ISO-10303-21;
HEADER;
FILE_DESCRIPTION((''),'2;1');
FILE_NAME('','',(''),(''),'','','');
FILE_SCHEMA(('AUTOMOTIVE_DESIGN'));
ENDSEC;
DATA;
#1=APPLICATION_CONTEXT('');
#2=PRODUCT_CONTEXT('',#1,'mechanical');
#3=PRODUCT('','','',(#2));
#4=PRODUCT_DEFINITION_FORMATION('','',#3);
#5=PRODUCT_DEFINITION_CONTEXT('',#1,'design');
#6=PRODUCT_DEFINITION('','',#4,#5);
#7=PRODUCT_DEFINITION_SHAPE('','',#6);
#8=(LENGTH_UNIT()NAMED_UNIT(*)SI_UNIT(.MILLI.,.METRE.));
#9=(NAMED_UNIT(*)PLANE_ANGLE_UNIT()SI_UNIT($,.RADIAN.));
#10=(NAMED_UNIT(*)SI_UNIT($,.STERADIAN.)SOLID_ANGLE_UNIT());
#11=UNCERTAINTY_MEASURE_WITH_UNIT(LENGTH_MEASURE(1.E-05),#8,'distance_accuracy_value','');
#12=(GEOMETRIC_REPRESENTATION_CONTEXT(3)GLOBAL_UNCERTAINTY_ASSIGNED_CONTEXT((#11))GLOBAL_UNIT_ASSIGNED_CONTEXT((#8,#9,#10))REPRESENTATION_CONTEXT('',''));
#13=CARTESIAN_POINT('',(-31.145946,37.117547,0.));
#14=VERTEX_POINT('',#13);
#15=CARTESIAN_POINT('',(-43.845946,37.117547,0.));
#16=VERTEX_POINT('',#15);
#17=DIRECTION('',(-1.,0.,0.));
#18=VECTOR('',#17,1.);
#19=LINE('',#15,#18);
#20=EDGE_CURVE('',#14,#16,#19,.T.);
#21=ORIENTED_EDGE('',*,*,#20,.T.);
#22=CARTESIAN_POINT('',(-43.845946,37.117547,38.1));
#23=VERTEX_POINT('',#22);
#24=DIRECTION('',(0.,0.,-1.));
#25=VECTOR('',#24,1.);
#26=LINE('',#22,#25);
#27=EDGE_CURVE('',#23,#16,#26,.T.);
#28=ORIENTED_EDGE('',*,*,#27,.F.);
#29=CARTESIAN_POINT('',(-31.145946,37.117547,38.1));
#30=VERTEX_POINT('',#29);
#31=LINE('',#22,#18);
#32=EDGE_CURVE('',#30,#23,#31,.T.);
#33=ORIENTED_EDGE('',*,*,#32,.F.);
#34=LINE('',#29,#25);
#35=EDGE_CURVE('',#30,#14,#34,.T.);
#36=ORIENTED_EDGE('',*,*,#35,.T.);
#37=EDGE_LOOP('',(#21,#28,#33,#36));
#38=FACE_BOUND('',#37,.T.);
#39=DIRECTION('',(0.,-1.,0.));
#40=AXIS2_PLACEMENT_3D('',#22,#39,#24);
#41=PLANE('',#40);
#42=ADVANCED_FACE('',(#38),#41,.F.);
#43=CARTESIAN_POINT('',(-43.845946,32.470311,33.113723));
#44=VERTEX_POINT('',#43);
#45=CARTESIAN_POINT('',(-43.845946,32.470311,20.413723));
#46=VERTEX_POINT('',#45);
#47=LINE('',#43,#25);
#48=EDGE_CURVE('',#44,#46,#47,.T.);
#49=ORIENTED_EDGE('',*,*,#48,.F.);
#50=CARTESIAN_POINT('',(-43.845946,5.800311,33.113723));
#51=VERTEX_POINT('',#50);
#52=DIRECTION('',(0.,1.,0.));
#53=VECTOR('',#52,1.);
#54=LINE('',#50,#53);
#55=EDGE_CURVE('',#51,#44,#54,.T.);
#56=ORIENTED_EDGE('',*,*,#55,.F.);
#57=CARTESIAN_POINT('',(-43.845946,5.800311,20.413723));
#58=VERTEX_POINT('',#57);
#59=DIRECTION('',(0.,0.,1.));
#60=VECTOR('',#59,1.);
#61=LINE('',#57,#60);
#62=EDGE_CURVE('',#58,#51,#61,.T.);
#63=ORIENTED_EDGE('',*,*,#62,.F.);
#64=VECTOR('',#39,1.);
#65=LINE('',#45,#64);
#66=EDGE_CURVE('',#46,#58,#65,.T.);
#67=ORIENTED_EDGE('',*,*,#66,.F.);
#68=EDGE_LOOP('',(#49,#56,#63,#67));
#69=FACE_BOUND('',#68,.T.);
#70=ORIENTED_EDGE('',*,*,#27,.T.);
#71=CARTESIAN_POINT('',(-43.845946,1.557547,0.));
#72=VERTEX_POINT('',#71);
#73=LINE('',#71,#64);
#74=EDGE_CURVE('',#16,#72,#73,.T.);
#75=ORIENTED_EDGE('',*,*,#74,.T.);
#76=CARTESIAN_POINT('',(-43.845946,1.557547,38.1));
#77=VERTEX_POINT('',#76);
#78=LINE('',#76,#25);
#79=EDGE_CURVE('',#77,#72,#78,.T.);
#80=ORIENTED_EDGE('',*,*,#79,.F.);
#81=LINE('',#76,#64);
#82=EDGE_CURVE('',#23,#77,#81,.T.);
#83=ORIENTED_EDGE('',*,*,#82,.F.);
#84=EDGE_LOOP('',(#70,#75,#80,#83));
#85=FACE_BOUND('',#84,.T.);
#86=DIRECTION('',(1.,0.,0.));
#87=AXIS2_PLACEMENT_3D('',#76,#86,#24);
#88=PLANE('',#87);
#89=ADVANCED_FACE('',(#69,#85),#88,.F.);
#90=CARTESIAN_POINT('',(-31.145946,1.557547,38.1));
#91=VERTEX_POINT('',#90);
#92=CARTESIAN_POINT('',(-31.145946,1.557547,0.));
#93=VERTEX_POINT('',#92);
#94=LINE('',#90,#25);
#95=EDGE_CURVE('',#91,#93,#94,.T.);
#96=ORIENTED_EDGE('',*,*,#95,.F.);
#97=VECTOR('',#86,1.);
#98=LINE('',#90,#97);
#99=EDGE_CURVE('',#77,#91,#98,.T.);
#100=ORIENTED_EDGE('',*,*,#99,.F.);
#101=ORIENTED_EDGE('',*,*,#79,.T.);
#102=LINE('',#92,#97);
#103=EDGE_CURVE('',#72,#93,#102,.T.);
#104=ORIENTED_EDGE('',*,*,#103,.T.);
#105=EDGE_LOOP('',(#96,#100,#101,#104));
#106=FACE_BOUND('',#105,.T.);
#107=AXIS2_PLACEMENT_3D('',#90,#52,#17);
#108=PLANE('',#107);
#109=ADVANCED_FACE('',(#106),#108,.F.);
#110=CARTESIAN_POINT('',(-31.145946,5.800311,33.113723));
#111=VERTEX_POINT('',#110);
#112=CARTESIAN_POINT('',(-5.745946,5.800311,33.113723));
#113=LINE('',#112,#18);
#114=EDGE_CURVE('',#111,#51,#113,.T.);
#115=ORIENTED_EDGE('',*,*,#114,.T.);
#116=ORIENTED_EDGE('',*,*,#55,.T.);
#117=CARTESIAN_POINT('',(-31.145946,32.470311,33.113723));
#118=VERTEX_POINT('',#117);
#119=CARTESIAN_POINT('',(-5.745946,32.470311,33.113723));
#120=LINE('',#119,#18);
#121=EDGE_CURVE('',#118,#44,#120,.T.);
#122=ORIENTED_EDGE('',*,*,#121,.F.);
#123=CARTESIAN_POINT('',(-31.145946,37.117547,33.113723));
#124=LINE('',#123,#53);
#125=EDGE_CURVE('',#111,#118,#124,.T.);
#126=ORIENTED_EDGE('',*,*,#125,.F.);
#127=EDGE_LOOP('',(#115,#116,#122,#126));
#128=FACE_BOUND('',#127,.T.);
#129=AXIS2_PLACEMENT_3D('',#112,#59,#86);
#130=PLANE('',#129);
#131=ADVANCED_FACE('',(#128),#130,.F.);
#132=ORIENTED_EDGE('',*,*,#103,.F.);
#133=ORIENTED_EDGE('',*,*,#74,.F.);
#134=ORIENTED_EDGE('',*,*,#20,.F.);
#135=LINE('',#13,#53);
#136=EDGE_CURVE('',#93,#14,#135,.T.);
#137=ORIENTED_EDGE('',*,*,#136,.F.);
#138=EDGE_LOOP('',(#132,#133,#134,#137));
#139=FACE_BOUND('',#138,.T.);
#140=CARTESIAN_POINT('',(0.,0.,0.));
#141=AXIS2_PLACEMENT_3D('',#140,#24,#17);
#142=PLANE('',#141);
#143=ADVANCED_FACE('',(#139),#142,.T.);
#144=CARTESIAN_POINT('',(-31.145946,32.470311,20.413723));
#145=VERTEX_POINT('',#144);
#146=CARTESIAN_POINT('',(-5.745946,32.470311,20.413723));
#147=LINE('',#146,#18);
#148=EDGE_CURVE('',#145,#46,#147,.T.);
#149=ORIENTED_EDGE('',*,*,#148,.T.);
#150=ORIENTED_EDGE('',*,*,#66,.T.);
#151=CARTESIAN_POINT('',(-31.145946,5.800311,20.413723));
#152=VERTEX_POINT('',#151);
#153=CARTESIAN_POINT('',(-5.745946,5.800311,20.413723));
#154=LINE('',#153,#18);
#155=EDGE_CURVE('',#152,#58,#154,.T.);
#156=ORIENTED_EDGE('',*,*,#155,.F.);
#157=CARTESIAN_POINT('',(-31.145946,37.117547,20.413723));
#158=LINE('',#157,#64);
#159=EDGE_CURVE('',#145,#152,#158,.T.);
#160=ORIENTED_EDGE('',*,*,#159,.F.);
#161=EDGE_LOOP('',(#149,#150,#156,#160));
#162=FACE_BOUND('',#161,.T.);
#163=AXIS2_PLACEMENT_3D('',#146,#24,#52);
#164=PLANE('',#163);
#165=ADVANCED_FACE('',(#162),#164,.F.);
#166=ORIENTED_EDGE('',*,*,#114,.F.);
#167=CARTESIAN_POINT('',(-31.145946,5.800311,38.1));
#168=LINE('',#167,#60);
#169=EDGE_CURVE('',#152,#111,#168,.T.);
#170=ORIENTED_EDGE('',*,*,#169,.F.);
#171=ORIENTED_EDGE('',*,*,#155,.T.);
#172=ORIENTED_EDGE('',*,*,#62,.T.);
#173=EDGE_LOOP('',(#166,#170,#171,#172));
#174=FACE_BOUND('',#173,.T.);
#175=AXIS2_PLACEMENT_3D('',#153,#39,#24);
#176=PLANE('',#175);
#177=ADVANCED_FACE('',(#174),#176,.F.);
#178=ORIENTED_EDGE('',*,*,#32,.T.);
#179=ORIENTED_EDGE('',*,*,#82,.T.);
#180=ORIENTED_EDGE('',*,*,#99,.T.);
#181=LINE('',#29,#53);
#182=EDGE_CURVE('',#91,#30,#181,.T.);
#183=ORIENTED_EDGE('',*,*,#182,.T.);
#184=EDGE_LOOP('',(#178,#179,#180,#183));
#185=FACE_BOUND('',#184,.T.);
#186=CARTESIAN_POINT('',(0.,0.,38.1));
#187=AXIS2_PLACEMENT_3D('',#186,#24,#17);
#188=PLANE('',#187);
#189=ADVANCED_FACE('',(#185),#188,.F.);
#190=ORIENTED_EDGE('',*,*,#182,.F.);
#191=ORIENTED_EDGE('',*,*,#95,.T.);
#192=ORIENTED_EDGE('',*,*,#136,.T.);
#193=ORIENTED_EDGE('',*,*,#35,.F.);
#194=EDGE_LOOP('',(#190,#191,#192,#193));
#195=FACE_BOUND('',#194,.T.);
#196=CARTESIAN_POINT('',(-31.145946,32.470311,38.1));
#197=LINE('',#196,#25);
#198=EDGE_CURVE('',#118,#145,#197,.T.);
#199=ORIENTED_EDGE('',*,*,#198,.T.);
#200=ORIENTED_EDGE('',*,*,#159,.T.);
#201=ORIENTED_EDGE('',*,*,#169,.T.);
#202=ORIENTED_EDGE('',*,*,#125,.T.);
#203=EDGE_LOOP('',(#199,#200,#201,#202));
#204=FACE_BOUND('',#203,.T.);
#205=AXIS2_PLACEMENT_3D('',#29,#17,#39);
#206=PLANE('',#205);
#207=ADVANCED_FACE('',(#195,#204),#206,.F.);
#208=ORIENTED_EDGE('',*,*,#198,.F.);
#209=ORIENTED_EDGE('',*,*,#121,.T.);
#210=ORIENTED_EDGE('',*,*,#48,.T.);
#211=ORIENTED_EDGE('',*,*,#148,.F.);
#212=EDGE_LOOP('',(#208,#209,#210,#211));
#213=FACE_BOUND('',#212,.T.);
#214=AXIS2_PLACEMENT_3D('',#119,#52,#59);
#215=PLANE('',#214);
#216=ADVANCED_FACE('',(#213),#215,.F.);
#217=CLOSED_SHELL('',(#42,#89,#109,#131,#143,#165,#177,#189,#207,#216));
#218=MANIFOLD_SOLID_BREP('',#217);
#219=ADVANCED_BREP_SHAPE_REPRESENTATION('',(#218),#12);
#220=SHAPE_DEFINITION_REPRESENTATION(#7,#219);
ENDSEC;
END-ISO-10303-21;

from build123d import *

# Parameters (mm, degrees)
CROQUIS1_W              = 12.7
CROQUIS1_H              = 35.56
SALIENTE_EXTRUIR1_DEPTH = 38.1
CROQUIS3_W              = 12.7
CROQUIS3_H              = 26.67
CORTAR_EXTRUIR1_DEPTH   = 38.1


with BuildPart() as part:
    # Croquis1 → Saliente-Extruir1 (new body)
    with BuildSketch(Plane.XY):
        with Locations((-37.495945778, 19.33754717)):
            Rectangle(CROQUIS1_W, CROQUIS1_H)
    extrude(amount=SALIENTE_EXTRUIR1_DEPTH)

    # Croquis3 → Cortar-Extruir1 (cut)
    with BuildSketch(Plane.ZY.offset(43.845945778)):
        with Locations((26.763723238, 19.135311011)):
            Rectangle(CROQUIS3_W, CROQUIS3_H)
    extrude(amount=-CORTAR_EXTRUIR1_DEPTH, mode=Mode.SUBTRACT)


solid = part.part
